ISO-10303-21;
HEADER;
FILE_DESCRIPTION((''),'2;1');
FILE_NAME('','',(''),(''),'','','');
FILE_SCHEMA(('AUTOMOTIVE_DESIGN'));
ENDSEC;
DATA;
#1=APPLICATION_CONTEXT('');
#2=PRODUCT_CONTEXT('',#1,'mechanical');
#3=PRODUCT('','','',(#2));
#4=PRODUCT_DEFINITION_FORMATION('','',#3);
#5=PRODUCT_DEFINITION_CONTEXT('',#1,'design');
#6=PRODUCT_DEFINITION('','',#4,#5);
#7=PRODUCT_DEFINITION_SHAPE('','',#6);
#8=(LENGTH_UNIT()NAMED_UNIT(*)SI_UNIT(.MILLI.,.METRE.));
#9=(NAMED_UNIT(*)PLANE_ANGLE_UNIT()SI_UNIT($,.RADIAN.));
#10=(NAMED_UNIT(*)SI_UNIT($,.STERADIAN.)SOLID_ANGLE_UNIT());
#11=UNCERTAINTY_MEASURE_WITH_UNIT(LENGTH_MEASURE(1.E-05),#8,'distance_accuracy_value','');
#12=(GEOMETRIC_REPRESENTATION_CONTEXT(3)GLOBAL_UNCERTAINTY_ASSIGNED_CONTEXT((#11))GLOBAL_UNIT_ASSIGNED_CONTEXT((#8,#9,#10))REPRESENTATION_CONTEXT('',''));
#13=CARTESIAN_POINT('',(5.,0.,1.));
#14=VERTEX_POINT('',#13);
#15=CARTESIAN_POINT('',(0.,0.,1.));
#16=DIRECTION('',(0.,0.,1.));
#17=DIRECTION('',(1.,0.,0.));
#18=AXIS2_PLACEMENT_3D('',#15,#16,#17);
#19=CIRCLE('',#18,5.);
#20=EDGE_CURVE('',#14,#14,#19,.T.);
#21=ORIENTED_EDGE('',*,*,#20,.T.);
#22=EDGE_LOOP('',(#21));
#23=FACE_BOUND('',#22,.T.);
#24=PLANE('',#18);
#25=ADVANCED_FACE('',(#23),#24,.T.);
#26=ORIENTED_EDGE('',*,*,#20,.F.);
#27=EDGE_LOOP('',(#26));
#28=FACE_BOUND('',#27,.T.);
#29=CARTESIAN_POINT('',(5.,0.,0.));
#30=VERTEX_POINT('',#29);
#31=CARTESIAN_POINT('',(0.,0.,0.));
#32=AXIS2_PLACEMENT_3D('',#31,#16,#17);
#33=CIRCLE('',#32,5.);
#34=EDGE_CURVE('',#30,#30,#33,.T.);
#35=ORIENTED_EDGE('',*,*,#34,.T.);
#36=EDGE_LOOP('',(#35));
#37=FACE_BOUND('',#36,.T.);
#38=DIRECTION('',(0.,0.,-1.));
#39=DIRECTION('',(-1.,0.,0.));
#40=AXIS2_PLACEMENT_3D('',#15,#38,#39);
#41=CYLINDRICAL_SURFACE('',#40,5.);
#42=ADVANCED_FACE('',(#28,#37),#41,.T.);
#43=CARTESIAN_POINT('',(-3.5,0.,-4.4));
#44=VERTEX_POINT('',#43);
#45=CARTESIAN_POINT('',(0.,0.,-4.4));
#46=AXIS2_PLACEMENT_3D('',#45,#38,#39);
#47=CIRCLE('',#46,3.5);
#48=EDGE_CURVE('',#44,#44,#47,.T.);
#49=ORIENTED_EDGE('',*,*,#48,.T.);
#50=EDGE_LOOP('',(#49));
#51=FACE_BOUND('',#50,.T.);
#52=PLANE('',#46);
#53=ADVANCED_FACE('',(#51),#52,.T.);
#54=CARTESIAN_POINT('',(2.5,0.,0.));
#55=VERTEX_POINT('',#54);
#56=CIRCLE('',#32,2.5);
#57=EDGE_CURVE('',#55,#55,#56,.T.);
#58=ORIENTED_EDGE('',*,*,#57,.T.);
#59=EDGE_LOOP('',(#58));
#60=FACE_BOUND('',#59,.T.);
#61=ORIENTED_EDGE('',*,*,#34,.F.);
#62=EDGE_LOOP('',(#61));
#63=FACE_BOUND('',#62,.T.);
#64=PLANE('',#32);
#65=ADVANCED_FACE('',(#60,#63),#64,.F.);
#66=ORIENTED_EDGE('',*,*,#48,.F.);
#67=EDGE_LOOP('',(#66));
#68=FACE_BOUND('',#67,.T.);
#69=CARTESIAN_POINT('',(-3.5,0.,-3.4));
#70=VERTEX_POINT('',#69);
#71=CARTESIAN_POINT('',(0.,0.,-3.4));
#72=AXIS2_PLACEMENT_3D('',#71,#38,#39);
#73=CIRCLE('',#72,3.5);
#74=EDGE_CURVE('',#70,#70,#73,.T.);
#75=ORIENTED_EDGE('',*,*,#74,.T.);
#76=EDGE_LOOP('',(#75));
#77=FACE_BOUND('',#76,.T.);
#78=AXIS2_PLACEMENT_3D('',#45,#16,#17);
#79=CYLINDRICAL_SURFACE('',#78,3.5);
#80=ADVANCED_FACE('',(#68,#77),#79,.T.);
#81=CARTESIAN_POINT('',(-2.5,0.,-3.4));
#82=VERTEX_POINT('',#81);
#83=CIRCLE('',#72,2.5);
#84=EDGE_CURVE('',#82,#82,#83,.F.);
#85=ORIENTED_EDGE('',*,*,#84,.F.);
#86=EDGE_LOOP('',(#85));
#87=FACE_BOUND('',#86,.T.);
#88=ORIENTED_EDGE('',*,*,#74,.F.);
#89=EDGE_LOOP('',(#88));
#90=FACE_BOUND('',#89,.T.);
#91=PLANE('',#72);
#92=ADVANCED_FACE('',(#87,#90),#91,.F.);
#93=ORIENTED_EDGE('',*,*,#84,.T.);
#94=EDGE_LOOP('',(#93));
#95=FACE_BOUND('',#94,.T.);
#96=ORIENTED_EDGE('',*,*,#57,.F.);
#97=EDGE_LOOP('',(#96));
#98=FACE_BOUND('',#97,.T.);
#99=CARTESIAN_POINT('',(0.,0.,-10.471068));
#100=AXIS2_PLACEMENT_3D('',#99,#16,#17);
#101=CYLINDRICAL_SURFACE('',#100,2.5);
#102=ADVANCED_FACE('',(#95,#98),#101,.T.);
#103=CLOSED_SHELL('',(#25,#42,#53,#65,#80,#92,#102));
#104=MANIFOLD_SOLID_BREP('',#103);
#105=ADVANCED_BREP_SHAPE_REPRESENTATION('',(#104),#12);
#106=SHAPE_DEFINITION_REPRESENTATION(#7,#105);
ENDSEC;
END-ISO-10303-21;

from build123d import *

# Parameters (mm, degrees)
SKIZZE1_R                       = 2.5
AUFSATZ_LINEAR_AUSTRAGEN1_DEPTH = 3.4
SKIZZE2_R                       = 3.5
AUFSATZ_LINEAR_AUSTRAGEN2_DEPTH = 1
SKIZZE3_R                       = 5
AUFSATZ_LINEAR_AUSTRAGEN3_DEPTH = 1


with BuildPart() as part:
    # Skizze1 → Aufsatz-Linear austragen1 (new body)
    with BuildSketch(Plane.XY):
        Circle(SKIZZE1_R)
    extrude(amount=-AUFSATZ_LINEAR_AUSTRAGEN1_DEPTH)

    # Skizze2 → Aufsatz-Linear austragen2 (add)
    with BuildSketch(Plane(origin=(0, 0, -3.4), x_dir=(-1, 0, 0), z_dir=(0, 0, -1))):
        Circle(SKIZZE2_R)
    extrude(amount=AUFSATZ_LINEAR_AUSTRAGEN2_DEPTH)

    # Skizze3 → Aufsatz-Linear austragen3 (add)
    with BuildSketch(Plane.XY):
        Circle(SKIZZE3_R)
    extrude(amount=AUFSATZ_LINEAR_AUSTRAGEN3_DEPTH)


solid = part.part
